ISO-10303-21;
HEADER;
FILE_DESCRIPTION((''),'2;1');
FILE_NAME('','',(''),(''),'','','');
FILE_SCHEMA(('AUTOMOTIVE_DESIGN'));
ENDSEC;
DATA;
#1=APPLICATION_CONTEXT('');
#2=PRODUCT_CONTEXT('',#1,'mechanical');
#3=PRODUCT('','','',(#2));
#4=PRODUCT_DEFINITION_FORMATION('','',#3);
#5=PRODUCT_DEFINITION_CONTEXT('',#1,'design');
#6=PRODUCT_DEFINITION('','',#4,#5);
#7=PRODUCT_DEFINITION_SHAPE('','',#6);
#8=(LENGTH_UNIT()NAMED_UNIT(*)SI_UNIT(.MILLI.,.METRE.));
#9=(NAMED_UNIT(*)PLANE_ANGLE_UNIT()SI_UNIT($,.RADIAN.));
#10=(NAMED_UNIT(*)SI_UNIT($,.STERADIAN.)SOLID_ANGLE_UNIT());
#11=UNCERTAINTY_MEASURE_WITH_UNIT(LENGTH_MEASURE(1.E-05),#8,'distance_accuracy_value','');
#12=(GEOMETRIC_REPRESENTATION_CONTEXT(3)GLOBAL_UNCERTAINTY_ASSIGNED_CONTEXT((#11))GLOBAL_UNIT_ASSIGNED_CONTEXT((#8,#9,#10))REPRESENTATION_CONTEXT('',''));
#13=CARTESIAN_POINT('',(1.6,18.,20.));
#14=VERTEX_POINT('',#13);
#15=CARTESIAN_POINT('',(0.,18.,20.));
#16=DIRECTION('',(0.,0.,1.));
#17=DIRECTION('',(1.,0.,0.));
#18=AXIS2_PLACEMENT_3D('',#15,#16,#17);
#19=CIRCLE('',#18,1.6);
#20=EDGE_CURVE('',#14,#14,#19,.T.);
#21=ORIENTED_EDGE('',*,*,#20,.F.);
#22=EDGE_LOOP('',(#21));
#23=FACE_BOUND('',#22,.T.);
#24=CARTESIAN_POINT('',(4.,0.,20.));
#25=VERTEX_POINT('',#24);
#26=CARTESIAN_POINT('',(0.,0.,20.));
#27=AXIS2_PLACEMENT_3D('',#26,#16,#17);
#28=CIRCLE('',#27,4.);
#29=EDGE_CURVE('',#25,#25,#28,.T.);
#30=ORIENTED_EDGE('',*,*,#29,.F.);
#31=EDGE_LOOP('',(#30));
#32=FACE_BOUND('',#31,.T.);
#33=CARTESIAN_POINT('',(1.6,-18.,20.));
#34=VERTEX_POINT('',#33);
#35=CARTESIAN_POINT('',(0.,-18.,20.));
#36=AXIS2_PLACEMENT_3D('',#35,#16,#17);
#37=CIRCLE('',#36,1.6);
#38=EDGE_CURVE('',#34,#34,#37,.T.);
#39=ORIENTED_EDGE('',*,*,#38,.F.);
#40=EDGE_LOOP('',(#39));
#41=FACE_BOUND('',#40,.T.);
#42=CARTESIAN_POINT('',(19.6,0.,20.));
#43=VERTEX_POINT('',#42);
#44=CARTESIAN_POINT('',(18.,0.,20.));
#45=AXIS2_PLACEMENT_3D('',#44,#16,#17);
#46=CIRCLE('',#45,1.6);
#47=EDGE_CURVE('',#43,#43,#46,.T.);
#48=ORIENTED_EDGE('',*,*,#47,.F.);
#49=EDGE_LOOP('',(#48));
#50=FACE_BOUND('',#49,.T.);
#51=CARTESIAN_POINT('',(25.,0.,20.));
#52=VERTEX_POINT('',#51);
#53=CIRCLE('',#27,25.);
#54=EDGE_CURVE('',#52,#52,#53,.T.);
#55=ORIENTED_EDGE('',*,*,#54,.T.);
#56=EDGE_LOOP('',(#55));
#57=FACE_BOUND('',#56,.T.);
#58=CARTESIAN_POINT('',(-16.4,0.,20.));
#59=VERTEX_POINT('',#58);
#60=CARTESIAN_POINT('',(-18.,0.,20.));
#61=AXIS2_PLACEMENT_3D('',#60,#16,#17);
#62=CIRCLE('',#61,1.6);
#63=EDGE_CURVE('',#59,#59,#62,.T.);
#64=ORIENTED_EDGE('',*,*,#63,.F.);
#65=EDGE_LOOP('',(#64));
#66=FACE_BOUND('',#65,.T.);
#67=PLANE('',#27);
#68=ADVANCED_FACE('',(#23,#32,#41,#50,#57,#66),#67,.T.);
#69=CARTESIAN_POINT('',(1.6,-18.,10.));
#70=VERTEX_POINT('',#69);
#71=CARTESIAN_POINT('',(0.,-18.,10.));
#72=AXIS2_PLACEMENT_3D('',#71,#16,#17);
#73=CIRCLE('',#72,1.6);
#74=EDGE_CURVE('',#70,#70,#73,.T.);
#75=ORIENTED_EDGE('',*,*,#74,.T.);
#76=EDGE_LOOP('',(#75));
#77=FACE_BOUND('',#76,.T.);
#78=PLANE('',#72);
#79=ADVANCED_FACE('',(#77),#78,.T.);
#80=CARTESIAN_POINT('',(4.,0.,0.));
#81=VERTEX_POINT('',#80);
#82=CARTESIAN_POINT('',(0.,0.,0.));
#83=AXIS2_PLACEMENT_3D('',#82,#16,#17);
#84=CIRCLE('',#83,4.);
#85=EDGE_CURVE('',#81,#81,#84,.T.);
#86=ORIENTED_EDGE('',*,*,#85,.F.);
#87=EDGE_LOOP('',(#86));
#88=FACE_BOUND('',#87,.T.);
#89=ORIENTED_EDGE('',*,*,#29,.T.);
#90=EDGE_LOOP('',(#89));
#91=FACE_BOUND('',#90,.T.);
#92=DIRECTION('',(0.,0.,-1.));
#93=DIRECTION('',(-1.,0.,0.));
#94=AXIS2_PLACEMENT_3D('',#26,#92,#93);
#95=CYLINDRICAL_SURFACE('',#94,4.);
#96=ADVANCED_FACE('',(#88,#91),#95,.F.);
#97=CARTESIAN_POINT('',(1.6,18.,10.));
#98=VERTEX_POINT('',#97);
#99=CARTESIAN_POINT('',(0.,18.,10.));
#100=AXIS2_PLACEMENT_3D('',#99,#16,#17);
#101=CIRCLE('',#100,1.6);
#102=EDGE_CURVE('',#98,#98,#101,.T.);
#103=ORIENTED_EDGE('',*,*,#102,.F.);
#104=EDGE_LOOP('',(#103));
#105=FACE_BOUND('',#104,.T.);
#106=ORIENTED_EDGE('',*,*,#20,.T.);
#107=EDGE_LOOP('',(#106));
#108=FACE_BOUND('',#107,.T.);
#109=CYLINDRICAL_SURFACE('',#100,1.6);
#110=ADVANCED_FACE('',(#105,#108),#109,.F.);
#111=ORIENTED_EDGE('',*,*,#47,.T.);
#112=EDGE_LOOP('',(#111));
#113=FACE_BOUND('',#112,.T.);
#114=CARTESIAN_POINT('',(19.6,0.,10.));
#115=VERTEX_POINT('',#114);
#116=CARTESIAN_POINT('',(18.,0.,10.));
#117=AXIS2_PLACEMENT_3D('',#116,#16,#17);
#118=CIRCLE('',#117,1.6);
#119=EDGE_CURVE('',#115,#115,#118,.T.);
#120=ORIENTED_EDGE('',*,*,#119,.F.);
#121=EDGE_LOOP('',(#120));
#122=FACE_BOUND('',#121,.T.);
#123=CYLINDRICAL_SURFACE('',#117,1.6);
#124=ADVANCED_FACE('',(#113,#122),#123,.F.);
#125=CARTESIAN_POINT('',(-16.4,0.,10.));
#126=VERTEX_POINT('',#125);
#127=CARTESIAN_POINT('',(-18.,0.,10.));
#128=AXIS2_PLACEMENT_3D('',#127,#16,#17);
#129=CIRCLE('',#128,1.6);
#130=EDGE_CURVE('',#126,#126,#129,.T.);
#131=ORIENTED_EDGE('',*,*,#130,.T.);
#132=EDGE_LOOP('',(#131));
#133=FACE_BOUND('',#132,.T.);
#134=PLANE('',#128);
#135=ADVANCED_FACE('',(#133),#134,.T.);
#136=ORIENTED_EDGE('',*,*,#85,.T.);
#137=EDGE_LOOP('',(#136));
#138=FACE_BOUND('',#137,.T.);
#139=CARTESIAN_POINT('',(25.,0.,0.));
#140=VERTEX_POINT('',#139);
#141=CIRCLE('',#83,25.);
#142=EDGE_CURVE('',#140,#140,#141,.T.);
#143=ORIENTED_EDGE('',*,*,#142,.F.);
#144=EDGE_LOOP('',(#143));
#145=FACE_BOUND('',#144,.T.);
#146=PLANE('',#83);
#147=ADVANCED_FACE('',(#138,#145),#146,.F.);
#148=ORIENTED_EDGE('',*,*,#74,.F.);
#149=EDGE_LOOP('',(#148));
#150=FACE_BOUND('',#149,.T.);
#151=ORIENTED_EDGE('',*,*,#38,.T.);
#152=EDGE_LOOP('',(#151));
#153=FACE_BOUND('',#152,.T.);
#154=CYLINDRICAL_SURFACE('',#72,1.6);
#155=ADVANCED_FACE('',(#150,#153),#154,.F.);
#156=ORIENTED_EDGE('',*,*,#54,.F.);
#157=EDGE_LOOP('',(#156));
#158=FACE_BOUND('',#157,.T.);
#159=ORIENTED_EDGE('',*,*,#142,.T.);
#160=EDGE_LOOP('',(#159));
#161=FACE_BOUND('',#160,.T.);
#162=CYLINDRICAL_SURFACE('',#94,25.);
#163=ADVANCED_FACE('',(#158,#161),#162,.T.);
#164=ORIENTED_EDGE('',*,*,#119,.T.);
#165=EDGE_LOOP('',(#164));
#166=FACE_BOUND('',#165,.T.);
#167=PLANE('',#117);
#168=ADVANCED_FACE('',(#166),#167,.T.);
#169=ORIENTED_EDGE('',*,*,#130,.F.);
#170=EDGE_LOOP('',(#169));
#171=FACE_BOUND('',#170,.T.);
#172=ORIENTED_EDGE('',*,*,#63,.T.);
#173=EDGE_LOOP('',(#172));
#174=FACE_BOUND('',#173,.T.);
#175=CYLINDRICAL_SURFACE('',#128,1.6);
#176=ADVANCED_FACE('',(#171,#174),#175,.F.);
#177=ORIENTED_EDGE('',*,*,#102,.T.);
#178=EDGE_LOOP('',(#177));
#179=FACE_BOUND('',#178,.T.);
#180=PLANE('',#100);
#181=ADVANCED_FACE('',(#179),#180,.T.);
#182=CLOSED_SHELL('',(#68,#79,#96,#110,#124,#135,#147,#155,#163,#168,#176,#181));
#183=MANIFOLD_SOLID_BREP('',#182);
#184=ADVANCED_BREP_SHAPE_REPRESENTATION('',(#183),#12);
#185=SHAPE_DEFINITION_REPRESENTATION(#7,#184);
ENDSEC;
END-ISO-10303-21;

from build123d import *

# Parameters (mm, degrees)
SKETCH1_R           = 25
SKETCH1_R_2         = 4
BOSS_EXTRUDE2_DEPTH = 20
SKETCH2_R           = 1.6
CUT_EXTRUDE1_DEPTH  = 10


with BuildPart() as part:
    # Sketch1 → Boss-Extrude2 (new body)
    with BuildSketch(Plane.XY):
        Circle(SKETCH1_R)
        Circle(SKETCH1_R_2, mode=Mode.SUBTRACT)
    extrude(amount=BOSS_EXTRUDE2_DEPTH)

    # Sketch2 → Cut-Extrude1 (cut)
    with BuildSketch(Plane.XY.offset(20)):
        with Locations((0, 18)):
            Circle(SKETCH2_R)
        with Locations((18, 0)):
            Circle(SKETCH2_R)
        with Locations((0, -18)):
            Circle(SKETCH2_R)
        with Locations((-18, 0)):
            Circle(SKETCH2_R)
    extrude(amount=-CUT_EXTRUDE1_DEPTH, mode=Mode.SUBTRACT)


solid = part.part
